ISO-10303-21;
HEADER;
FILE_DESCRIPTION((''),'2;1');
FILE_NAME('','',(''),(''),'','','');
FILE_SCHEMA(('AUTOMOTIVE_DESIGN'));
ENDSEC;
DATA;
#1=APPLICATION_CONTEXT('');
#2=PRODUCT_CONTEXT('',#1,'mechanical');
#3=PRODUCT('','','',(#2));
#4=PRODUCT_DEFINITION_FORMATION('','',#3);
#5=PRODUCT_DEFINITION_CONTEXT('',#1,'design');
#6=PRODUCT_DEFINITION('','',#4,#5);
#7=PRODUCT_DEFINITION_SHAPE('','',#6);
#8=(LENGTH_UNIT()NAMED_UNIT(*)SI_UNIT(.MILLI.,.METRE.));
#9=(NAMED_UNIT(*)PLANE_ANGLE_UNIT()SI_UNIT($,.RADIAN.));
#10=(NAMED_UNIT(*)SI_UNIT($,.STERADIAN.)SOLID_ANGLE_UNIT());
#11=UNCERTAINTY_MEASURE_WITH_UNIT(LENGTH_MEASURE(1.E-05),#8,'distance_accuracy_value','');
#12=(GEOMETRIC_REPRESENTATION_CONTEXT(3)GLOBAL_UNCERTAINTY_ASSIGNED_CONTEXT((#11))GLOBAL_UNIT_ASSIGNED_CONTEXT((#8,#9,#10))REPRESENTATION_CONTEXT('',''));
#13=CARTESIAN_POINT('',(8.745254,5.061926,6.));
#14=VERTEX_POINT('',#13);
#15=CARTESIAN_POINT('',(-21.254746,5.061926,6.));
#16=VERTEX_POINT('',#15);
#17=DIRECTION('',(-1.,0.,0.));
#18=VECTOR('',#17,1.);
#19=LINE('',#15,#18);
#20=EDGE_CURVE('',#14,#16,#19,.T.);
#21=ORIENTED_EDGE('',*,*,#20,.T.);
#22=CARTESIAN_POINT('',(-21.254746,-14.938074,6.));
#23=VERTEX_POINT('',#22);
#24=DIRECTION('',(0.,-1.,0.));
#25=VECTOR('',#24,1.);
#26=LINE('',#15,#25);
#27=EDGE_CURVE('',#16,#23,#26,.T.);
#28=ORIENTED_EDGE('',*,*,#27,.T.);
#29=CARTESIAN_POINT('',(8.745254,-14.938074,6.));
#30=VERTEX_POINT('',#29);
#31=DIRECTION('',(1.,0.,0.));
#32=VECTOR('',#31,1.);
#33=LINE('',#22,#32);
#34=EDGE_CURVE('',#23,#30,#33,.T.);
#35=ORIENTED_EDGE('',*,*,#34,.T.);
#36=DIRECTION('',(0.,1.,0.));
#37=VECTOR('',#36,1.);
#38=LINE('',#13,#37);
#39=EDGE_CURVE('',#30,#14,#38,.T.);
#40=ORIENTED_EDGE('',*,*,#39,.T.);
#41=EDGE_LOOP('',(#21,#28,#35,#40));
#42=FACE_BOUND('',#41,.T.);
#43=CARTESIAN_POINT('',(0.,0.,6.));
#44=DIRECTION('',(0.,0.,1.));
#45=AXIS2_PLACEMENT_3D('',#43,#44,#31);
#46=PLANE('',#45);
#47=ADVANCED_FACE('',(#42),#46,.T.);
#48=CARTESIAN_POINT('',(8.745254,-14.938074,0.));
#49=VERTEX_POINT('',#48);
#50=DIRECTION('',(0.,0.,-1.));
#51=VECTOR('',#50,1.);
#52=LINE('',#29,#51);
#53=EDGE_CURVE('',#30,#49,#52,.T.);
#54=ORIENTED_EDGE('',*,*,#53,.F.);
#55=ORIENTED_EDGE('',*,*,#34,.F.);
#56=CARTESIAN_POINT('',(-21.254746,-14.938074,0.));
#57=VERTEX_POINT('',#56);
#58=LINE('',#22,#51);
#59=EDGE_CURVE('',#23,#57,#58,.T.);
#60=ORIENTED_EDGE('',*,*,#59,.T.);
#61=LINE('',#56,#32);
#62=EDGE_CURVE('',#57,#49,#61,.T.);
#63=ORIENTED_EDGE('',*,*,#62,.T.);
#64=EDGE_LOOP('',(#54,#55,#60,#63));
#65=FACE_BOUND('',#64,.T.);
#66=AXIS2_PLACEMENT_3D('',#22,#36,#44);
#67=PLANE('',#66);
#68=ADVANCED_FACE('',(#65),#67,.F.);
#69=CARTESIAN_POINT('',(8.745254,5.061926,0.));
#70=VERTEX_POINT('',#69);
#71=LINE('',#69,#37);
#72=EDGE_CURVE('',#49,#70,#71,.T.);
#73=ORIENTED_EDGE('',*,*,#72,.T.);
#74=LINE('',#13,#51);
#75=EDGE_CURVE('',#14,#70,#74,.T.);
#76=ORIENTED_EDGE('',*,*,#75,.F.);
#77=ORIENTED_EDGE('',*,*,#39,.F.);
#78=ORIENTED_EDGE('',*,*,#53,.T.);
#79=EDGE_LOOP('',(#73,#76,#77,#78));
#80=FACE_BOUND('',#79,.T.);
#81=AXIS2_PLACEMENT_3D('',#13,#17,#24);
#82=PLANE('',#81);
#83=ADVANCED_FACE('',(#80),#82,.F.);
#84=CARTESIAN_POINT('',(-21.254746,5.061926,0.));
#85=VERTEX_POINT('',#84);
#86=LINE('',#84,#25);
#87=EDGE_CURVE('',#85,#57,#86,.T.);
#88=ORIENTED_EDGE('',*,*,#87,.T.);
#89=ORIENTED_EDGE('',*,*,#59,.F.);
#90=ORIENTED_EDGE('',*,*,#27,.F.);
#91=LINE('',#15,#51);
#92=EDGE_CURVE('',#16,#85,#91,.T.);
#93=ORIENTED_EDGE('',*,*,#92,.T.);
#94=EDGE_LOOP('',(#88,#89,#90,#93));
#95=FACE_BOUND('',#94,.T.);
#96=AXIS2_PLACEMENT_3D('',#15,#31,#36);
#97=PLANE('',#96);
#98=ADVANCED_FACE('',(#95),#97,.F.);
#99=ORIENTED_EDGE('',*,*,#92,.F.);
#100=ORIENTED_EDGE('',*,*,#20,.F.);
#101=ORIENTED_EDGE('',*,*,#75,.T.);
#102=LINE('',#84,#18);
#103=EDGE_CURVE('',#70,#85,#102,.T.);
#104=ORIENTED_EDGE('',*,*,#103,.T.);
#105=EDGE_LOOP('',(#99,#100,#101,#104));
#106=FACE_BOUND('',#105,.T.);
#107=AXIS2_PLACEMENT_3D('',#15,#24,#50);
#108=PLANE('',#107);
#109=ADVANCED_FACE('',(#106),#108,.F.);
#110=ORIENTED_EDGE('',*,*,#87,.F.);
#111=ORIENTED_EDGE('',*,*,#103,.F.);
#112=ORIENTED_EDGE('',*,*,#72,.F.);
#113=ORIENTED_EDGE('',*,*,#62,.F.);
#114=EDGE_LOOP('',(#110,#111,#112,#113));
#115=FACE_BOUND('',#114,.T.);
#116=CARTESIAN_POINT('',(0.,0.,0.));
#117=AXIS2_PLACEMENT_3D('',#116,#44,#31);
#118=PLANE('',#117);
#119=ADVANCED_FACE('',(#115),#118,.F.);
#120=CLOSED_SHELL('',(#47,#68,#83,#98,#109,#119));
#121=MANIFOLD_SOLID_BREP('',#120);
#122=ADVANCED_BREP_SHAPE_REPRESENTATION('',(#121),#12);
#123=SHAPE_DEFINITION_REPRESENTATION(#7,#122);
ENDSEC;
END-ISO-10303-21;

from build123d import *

# Parameters (mm, degrees)
SKETCH_1_W      = 30
SKETCH_1_H      = 20
EXTRUDE_1_DEPTH = 6


with BuildPart() as part:
    # 草图1 → 凸台-拉伸1 (new body)
    with BuildSketch(Plane.XY):
        with Locations((-6.254745975, -4.93807448)):
            Rectangle(SKETCH_1_W, SKETCH_1_H)
    extrude(amount=EXTRUDE_1_DEPTH)


solid = part.part
